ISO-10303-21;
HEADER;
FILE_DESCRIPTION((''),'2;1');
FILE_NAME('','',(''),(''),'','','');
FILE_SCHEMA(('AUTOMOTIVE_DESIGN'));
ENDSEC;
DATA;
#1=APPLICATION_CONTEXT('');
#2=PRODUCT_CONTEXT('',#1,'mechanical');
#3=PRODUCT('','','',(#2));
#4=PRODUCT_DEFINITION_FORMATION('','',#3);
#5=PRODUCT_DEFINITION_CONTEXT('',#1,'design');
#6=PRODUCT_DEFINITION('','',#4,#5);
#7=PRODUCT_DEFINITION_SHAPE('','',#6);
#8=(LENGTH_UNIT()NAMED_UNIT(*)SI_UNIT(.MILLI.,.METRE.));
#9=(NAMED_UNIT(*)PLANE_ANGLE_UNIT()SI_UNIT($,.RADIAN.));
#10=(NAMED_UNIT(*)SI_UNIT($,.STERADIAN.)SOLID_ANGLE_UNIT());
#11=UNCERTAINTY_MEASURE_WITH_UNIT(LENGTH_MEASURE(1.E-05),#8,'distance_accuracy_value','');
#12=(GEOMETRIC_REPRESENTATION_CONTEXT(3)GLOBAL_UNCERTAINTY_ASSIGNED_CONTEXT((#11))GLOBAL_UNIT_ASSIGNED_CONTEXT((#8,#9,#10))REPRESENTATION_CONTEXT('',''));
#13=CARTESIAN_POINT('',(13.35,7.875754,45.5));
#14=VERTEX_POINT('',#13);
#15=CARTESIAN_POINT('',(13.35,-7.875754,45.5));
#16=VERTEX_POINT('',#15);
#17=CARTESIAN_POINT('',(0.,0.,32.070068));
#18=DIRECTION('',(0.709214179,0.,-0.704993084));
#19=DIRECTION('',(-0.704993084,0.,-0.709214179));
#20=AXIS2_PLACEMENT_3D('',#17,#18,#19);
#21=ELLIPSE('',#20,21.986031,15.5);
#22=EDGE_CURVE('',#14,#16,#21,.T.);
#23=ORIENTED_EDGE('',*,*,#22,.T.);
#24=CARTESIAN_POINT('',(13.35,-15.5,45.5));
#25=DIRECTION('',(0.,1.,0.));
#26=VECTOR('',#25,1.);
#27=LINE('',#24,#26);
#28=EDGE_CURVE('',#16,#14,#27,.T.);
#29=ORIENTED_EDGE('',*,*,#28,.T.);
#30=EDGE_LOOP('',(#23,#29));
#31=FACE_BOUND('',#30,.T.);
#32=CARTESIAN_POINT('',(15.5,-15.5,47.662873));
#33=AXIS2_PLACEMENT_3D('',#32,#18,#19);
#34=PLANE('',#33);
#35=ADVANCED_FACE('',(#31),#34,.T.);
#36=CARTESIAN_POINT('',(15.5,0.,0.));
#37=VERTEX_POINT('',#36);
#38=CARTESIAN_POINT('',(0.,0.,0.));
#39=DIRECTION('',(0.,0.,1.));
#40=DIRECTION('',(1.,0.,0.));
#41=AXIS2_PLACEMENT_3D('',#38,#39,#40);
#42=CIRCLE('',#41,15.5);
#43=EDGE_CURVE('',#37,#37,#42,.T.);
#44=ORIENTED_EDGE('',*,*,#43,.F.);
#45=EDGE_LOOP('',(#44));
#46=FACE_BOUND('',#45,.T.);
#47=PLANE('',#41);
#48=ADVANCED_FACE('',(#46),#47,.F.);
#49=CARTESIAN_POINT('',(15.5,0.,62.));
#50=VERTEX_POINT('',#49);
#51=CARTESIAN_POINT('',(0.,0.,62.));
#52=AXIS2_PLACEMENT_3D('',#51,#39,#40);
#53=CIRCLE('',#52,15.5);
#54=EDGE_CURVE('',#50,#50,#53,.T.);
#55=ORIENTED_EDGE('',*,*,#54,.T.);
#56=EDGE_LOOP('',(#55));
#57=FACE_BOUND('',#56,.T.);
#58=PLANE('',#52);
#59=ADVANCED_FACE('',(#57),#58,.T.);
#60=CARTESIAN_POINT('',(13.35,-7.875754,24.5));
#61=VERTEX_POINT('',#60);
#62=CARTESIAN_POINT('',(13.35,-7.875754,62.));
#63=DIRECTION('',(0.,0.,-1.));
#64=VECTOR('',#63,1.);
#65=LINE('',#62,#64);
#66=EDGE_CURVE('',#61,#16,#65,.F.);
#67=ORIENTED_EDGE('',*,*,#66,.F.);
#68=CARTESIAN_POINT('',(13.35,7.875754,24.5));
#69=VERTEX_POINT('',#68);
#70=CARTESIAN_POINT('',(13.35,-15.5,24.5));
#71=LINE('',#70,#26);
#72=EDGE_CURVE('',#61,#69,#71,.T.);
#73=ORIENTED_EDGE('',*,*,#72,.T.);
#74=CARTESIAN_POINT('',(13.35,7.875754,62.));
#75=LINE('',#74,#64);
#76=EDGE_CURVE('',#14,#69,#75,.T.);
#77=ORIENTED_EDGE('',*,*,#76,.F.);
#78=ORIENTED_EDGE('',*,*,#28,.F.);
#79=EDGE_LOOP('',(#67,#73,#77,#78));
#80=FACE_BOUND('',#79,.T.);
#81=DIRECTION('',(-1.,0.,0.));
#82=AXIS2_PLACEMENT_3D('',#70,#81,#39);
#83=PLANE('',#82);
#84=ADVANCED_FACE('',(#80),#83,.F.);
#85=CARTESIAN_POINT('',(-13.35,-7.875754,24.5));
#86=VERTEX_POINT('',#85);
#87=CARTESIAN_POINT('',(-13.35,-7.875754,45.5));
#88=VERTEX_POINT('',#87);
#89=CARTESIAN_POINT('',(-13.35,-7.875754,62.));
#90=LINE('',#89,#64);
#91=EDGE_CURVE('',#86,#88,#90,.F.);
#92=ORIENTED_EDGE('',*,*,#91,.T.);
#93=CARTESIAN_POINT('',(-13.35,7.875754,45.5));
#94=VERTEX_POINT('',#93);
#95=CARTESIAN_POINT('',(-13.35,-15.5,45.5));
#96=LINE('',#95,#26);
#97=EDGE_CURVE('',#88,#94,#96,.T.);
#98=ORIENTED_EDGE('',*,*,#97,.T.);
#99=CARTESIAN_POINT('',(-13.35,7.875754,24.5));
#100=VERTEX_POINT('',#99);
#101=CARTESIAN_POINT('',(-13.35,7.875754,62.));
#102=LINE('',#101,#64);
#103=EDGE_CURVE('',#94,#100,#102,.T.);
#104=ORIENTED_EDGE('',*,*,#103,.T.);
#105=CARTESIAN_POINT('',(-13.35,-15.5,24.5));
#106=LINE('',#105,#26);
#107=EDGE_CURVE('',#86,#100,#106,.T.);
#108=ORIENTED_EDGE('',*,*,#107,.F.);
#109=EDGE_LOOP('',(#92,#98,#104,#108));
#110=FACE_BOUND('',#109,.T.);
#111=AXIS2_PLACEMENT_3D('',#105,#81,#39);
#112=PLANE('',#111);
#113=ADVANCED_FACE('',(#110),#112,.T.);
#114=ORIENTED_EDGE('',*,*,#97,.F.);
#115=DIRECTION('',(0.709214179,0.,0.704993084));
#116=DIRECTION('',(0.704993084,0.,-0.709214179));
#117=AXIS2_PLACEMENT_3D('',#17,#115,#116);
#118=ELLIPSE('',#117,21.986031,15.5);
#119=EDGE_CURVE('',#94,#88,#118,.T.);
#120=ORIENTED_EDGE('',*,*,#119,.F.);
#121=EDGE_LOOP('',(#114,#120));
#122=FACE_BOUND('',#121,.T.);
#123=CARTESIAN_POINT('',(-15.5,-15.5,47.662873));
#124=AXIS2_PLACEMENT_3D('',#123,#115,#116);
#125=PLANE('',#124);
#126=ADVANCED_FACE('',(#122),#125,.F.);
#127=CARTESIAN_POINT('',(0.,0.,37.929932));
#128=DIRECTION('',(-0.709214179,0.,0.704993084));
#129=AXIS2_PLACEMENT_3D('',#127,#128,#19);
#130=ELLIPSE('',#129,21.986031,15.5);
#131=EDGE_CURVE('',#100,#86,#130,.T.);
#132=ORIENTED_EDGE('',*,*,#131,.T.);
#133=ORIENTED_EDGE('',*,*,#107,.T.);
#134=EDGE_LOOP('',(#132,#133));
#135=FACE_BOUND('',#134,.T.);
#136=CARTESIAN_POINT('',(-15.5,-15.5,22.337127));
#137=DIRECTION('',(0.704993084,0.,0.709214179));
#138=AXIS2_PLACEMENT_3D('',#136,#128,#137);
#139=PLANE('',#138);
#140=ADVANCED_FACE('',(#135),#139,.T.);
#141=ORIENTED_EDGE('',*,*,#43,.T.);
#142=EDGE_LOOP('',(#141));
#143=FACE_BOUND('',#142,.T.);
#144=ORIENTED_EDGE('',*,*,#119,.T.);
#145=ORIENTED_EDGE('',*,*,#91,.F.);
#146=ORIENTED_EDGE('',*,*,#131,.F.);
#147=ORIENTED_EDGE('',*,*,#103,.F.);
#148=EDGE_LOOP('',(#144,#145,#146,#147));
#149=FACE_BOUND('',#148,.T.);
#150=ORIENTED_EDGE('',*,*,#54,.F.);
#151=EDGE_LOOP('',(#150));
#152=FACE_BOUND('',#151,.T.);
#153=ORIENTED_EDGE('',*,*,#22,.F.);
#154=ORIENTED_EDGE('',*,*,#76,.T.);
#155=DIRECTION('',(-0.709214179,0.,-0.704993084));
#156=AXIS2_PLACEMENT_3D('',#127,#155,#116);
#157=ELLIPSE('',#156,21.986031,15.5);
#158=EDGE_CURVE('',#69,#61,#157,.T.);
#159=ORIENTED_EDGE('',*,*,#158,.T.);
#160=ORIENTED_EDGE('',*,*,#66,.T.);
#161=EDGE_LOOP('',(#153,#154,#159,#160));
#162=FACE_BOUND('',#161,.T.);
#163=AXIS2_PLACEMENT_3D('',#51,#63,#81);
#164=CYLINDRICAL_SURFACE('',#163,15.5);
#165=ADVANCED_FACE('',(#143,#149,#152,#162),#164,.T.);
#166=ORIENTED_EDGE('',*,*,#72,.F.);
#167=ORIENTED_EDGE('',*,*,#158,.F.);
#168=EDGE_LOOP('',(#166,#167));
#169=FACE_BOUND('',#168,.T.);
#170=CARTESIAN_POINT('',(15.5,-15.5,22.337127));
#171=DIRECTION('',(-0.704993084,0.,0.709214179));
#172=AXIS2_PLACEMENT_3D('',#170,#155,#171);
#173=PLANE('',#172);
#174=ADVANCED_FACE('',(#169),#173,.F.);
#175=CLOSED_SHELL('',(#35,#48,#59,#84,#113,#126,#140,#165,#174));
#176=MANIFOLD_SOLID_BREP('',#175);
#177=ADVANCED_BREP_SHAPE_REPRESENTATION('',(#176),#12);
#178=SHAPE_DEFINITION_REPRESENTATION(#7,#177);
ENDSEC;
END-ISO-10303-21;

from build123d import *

# Parameters (mm, degrees)
SKETCH1_R               = 15.5
BOSS_EXTRUDE1_DEPTH     = 62
CUT_EXTRUDE1_DEPTH      = 66.76093065
CUT_EXTRUDE1_DEPTH_BACK = 66.76093065


with BuildPart() as part:
    # Sketch1 → Boss-Extrude1 (new body)
    with BuildSketch(Plane.XY):
        Circle(SKETCH1_R)
    extrude(amount=BOSS_EXTRUDE1_DEPTH)

    # Sketch2 → Cut-Extrude1 (cut, two sides: drawn at the far end of the back side and taken through both)
    with BuildSketch(Plane(origin=(0, 0, 0), x_dir=(1, 0, 0), z_dir=(0, 1, 0)).offset(-CUT_EXTRUDE1_DEPTH_BACK)):
        Polygon((-15.5, -22.33712703), (-13.35, -24.5), (-13.35, -45.5), (-15.5, -47.66287297), align=None)
        Polygon((15.5, -47.66287297), (13.35, -45.5), (13.35, -24.5), (15.5, -22.33712703), align=None)
    extrude(amount=CUT_EXTRUDE1_DEPTH + CUT_EXTRUDE1_DEPTH_BACK, mode=Mode.SUBTRACT)


solid = part.part
